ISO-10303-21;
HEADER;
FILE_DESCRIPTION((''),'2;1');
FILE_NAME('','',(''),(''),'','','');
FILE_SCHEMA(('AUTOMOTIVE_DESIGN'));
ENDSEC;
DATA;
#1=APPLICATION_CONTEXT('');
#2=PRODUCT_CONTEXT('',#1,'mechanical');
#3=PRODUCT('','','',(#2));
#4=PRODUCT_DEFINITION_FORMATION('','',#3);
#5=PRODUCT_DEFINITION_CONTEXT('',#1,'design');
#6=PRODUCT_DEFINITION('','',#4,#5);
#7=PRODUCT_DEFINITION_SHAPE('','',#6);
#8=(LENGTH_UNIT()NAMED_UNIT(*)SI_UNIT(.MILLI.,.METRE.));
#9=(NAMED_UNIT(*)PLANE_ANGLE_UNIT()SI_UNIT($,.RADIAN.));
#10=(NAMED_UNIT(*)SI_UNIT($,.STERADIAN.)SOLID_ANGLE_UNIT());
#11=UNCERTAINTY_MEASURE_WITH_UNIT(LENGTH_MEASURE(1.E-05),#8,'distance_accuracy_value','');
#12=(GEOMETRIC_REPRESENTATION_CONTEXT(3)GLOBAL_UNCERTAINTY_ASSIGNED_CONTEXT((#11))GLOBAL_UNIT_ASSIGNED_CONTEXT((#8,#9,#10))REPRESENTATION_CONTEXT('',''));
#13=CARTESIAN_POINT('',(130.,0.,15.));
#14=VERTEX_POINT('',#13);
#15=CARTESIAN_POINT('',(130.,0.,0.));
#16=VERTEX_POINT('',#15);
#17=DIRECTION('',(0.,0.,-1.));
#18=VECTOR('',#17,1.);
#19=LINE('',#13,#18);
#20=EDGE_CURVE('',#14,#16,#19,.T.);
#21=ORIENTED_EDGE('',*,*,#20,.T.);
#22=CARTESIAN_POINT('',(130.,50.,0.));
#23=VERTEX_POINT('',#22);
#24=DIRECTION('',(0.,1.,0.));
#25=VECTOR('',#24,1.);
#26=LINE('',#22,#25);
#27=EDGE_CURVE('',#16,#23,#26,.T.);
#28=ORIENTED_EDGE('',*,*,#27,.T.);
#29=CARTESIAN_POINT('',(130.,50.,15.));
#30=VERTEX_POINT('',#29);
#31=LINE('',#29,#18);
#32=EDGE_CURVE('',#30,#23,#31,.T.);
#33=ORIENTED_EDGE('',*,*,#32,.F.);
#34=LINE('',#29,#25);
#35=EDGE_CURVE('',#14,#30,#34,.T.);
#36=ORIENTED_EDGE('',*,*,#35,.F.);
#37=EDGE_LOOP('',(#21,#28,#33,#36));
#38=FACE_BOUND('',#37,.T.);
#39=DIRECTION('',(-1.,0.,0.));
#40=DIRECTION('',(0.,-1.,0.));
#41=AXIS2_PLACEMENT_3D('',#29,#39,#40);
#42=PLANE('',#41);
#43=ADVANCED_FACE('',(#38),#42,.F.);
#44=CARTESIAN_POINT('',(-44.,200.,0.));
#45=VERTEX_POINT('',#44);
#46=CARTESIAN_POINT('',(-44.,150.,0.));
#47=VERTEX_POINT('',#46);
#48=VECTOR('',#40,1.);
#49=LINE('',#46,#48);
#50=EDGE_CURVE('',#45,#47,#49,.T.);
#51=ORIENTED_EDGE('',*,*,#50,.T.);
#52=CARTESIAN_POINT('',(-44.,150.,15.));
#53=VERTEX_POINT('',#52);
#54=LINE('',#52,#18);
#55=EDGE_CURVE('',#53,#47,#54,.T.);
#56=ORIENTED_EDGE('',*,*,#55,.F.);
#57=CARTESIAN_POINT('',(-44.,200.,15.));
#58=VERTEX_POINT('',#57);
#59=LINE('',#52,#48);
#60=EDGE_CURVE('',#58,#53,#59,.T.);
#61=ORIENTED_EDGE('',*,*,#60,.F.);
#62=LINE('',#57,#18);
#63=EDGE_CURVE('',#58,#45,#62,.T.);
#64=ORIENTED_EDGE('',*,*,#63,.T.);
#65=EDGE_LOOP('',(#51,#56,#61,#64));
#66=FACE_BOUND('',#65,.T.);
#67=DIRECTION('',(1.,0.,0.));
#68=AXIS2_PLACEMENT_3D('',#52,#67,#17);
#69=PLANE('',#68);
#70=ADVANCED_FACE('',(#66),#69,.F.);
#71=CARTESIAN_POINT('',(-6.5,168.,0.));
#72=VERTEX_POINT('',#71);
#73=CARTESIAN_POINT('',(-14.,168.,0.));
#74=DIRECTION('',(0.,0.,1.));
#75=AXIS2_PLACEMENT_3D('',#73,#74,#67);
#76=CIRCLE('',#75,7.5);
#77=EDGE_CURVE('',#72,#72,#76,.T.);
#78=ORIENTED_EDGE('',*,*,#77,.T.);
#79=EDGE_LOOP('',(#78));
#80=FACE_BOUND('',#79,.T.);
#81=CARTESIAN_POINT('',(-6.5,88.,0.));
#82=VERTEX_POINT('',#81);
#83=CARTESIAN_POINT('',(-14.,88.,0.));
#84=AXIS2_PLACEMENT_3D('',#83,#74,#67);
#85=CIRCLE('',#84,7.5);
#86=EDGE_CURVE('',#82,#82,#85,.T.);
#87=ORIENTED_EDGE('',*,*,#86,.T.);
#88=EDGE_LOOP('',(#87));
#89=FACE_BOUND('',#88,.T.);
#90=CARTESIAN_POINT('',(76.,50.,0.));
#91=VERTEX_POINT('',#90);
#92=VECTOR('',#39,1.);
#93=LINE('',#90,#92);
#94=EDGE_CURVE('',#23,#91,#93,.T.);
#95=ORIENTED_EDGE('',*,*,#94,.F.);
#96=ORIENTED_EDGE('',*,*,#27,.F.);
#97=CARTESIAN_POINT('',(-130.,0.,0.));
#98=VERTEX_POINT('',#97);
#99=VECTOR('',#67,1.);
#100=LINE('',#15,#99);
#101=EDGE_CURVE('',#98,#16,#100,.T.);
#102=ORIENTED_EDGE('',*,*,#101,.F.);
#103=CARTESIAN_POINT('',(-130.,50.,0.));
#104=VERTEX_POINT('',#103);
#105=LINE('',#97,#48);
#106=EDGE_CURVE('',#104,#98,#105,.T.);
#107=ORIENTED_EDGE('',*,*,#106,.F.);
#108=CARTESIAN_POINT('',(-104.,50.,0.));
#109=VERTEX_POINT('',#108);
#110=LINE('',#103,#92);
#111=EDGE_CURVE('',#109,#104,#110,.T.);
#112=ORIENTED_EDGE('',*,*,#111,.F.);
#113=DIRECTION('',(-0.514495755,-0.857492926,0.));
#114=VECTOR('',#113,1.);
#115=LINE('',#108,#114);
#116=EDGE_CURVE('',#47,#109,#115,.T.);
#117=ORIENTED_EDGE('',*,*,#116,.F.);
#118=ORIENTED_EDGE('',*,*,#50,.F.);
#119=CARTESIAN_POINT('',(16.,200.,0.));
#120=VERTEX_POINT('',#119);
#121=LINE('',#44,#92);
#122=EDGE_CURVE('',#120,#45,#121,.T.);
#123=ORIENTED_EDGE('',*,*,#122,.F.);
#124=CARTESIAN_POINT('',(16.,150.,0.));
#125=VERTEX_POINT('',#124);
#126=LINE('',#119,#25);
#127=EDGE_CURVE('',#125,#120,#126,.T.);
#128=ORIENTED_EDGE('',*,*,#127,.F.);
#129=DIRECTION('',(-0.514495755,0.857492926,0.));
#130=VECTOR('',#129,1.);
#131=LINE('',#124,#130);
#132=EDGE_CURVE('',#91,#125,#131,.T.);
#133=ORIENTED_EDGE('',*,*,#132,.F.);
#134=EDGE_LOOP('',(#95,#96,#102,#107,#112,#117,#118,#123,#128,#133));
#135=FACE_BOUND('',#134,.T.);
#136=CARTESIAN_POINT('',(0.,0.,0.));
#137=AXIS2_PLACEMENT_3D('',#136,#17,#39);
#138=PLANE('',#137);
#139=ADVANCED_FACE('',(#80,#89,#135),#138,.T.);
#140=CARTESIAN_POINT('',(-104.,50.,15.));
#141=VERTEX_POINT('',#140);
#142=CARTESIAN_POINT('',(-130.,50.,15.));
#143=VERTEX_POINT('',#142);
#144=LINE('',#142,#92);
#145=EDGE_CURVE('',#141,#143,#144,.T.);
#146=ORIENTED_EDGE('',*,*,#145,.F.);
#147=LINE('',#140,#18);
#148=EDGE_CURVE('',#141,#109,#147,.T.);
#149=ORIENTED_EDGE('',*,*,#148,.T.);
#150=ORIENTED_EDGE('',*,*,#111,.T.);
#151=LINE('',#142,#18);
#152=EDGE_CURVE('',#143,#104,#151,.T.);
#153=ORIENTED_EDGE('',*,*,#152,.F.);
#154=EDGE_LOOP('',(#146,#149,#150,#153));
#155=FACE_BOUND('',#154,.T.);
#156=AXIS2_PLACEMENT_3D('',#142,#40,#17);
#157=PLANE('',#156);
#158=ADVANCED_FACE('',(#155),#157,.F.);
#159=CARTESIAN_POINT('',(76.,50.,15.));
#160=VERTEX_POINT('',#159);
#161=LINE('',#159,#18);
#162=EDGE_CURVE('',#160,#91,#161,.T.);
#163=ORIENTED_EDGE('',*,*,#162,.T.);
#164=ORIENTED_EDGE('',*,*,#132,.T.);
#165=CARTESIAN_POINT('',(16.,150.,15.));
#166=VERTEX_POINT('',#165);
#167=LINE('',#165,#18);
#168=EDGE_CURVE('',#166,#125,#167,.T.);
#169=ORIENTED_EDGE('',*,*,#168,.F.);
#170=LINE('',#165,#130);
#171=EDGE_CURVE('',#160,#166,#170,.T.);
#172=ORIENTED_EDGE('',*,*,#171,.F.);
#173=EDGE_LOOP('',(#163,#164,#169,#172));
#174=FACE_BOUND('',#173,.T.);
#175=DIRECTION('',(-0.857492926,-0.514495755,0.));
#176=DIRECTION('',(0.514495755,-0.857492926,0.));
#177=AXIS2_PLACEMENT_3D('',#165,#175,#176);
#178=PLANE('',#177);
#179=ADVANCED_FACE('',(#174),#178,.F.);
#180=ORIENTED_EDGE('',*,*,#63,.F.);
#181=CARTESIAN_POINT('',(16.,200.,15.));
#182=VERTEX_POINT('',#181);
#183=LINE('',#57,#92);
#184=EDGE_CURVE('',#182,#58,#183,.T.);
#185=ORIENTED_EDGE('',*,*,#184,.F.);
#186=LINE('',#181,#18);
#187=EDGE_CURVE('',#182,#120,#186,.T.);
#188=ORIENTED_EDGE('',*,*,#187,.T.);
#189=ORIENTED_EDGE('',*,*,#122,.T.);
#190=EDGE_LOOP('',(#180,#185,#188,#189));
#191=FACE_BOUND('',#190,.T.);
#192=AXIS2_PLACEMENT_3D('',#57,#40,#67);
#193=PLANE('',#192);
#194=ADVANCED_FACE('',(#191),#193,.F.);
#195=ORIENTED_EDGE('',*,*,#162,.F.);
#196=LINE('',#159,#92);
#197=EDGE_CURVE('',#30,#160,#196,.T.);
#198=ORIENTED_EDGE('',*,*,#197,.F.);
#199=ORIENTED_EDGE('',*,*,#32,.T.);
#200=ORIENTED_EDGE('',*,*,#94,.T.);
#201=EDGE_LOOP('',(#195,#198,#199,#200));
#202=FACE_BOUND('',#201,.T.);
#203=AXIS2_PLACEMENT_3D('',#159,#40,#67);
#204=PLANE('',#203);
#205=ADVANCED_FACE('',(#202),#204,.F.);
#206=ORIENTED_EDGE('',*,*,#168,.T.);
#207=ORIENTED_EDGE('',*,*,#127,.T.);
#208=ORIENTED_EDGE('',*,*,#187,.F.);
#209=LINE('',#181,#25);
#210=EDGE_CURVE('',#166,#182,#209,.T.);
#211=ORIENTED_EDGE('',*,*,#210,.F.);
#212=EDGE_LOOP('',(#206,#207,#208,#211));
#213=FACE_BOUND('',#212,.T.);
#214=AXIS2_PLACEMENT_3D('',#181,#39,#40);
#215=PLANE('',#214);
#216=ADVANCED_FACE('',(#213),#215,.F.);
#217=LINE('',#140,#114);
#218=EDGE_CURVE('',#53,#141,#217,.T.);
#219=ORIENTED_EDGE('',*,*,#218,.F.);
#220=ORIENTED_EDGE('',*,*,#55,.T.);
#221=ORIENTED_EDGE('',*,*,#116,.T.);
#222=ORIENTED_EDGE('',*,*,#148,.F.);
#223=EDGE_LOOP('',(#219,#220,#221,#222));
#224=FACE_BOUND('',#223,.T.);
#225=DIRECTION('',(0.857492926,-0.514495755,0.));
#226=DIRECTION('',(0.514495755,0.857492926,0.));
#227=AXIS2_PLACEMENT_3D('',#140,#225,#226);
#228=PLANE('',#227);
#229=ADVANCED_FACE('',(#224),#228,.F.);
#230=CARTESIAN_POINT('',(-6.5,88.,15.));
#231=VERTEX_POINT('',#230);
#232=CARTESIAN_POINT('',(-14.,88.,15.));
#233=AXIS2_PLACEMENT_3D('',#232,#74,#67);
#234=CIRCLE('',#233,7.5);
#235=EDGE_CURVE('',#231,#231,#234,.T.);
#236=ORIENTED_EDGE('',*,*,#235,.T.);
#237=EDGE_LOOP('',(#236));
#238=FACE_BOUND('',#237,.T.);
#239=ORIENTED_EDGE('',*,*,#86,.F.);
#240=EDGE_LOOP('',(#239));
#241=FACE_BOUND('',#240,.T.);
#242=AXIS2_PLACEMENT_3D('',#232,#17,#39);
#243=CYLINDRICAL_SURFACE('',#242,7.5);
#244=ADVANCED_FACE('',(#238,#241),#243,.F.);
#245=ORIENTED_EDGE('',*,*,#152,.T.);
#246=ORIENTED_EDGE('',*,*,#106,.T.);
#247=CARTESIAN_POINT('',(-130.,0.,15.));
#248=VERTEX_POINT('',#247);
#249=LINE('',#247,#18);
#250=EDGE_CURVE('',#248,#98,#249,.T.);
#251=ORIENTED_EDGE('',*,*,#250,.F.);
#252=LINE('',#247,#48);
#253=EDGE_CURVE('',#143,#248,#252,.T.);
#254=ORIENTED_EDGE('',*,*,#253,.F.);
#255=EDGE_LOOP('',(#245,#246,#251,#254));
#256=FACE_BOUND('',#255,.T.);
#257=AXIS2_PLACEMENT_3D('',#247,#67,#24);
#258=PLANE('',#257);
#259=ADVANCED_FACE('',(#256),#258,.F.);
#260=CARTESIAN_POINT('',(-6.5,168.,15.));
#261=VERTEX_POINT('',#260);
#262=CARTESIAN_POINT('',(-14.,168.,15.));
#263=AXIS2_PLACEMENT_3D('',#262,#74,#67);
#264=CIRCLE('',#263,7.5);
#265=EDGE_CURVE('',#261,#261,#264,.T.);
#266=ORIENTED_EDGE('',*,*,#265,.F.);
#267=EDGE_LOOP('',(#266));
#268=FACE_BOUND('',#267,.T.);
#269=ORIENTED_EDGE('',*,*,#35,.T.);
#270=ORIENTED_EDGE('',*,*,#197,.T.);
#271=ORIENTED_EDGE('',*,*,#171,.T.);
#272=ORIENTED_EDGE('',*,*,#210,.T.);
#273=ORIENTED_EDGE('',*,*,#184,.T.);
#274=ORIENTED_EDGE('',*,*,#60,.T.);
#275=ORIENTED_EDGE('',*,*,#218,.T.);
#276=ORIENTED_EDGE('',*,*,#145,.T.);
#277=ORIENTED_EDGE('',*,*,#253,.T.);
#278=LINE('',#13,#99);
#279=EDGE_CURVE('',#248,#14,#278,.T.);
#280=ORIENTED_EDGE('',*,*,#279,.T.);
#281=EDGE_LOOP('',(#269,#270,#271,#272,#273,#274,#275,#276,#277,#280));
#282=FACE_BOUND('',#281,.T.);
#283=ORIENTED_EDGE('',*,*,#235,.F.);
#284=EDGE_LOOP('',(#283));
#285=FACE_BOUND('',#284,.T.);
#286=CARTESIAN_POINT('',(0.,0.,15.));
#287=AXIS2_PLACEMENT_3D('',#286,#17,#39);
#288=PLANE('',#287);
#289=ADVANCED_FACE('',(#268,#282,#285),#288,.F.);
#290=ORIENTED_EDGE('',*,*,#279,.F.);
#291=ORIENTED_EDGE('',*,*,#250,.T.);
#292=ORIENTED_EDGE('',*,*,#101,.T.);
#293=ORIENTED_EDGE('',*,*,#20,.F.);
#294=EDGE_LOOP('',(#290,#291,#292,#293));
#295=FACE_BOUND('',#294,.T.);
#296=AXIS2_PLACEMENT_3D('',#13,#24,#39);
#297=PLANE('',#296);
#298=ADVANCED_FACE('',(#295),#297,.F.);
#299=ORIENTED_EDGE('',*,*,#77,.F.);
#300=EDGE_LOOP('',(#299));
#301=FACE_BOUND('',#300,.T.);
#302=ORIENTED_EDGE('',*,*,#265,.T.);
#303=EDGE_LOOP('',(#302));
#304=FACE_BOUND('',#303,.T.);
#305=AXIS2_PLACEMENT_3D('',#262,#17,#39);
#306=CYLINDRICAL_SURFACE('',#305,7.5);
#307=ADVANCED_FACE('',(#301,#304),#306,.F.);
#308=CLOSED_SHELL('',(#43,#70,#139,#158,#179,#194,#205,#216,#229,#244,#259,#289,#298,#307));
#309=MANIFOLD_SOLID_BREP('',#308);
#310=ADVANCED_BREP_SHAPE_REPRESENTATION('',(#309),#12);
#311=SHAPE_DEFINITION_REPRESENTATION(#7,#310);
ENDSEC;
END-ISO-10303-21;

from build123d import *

# Parameters (mm, degrees)
ESQUISSE1_R        = 7.5
BOSS_EXTRU_1_DEPTH = 15


with BuildPart() as part:
    # Esquisse1 → Boss.-Extru.1 (new body)
    with BuildSketch(Plane.XY):
        Polygon((-130, 0), (-130, 50), (-104, 50), (-44, 150), (-44, 200), (16, 200), (16, 150), (76, 50), (130, 50), (130, 0), align=None)
        with Locations((-14, 168)):
            Circle(ESQUISSE1_R, mode=Mode.SUBTRACT)
        with Locations((-14, 88)):
            Circle(ESQUISSE1_R, mode=Mode.SUBTRACT)
    extrude(amount=BOSS_EXTRU_1_DEPTH)


solid = part.part
